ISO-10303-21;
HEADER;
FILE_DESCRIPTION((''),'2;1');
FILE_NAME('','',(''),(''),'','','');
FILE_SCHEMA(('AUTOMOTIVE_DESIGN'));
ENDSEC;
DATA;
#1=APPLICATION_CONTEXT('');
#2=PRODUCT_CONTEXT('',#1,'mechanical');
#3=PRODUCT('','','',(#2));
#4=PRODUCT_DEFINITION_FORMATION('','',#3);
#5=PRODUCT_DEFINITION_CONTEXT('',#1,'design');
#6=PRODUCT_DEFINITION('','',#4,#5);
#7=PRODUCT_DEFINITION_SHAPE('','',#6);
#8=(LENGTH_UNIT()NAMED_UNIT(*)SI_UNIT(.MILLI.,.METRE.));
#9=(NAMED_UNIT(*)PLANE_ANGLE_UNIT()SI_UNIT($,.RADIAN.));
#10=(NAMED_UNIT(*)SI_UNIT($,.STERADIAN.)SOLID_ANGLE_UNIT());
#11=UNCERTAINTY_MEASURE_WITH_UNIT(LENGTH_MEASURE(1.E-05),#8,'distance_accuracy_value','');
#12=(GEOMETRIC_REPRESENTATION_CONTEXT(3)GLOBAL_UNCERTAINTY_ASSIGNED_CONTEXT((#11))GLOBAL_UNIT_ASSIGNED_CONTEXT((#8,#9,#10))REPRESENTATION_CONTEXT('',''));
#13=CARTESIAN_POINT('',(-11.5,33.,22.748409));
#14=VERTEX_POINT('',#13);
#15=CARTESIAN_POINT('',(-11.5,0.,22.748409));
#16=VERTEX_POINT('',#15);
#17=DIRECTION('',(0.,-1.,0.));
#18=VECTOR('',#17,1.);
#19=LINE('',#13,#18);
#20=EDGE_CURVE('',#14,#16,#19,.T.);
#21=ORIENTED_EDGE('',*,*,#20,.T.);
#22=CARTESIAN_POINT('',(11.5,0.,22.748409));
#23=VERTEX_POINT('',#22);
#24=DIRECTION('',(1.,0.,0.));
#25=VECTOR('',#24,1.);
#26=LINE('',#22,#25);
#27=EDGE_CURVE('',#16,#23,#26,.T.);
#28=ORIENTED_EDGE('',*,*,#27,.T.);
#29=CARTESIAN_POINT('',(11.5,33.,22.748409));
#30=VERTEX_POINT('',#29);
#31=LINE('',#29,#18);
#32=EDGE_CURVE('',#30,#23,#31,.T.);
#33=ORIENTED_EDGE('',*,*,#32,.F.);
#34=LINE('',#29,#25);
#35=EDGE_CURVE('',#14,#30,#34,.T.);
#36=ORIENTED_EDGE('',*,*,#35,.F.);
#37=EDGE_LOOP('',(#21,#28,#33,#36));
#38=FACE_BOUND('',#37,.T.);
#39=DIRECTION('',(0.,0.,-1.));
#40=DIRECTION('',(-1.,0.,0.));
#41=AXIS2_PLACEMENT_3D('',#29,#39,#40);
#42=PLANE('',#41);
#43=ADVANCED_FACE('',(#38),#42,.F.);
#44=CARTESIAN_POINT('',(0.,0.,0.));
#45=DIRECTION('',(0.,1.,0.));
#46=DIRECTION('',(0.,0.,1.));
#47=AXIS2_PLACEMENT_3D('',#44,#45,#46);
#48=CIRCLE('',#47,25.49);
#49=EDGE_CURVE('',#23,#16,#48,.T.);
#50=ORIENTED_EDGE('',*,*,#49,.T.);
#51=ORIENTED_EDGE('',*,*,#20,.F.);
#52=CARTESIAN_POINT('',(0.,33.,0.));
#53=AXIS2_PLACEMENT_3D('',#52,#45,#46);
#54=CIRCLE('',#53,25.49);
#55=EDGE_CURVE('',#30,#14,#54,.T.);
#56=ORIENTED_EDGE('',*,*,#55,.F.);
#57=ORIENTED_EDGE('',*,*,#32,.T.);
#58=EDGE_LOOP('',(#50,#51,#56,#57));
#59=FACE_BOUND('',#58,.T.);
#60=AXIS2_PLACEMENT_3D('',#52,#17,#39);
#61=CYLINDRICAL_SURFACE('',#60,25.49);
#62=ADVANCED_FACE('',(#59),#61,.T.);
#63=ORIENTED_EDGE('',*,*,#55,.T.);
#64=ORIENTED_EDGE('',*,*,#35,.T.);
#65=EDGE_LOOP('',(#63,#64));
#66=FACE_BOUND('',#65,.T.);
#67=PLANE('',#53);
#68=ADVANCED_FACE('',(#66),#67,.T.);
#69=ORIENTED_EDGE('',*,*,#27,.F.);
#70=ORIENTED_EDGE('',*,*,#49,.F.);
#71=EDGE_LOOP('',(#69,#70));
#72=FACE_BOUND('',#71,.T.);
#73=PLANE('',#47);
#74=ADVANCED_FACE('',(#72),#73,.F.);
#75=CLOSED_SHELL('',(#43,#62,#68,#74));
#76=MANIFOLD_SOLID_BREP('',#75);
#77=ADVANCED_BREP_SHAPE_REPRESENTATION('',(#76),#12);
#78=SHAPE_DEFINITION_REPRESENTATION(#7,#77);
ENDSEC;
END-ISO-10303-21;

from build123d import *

# Parameters (mm, degrees)
BOSS_EXTRUDE1_DEPTH = 33


with BuildPart() as part:
    # Sketch1 → Boss-Extrude1 (new body)
    with BuildSketch(Plane(origin=(0, 0, 0), x_dir=(1, 0, 0), z_dir=(0, 1, 0))):
        with BuildLine():
            Line((11.5, -22.748408736), (-11.5, -22.748408736))
            ThreePointArc((-11.5, -22.748408736), (0, 25.49), (11.5, -22.748408736))
        make_face()
    extrude(amount=BOSS_EXTRUDE1_DEPTH)


solid = part.part
